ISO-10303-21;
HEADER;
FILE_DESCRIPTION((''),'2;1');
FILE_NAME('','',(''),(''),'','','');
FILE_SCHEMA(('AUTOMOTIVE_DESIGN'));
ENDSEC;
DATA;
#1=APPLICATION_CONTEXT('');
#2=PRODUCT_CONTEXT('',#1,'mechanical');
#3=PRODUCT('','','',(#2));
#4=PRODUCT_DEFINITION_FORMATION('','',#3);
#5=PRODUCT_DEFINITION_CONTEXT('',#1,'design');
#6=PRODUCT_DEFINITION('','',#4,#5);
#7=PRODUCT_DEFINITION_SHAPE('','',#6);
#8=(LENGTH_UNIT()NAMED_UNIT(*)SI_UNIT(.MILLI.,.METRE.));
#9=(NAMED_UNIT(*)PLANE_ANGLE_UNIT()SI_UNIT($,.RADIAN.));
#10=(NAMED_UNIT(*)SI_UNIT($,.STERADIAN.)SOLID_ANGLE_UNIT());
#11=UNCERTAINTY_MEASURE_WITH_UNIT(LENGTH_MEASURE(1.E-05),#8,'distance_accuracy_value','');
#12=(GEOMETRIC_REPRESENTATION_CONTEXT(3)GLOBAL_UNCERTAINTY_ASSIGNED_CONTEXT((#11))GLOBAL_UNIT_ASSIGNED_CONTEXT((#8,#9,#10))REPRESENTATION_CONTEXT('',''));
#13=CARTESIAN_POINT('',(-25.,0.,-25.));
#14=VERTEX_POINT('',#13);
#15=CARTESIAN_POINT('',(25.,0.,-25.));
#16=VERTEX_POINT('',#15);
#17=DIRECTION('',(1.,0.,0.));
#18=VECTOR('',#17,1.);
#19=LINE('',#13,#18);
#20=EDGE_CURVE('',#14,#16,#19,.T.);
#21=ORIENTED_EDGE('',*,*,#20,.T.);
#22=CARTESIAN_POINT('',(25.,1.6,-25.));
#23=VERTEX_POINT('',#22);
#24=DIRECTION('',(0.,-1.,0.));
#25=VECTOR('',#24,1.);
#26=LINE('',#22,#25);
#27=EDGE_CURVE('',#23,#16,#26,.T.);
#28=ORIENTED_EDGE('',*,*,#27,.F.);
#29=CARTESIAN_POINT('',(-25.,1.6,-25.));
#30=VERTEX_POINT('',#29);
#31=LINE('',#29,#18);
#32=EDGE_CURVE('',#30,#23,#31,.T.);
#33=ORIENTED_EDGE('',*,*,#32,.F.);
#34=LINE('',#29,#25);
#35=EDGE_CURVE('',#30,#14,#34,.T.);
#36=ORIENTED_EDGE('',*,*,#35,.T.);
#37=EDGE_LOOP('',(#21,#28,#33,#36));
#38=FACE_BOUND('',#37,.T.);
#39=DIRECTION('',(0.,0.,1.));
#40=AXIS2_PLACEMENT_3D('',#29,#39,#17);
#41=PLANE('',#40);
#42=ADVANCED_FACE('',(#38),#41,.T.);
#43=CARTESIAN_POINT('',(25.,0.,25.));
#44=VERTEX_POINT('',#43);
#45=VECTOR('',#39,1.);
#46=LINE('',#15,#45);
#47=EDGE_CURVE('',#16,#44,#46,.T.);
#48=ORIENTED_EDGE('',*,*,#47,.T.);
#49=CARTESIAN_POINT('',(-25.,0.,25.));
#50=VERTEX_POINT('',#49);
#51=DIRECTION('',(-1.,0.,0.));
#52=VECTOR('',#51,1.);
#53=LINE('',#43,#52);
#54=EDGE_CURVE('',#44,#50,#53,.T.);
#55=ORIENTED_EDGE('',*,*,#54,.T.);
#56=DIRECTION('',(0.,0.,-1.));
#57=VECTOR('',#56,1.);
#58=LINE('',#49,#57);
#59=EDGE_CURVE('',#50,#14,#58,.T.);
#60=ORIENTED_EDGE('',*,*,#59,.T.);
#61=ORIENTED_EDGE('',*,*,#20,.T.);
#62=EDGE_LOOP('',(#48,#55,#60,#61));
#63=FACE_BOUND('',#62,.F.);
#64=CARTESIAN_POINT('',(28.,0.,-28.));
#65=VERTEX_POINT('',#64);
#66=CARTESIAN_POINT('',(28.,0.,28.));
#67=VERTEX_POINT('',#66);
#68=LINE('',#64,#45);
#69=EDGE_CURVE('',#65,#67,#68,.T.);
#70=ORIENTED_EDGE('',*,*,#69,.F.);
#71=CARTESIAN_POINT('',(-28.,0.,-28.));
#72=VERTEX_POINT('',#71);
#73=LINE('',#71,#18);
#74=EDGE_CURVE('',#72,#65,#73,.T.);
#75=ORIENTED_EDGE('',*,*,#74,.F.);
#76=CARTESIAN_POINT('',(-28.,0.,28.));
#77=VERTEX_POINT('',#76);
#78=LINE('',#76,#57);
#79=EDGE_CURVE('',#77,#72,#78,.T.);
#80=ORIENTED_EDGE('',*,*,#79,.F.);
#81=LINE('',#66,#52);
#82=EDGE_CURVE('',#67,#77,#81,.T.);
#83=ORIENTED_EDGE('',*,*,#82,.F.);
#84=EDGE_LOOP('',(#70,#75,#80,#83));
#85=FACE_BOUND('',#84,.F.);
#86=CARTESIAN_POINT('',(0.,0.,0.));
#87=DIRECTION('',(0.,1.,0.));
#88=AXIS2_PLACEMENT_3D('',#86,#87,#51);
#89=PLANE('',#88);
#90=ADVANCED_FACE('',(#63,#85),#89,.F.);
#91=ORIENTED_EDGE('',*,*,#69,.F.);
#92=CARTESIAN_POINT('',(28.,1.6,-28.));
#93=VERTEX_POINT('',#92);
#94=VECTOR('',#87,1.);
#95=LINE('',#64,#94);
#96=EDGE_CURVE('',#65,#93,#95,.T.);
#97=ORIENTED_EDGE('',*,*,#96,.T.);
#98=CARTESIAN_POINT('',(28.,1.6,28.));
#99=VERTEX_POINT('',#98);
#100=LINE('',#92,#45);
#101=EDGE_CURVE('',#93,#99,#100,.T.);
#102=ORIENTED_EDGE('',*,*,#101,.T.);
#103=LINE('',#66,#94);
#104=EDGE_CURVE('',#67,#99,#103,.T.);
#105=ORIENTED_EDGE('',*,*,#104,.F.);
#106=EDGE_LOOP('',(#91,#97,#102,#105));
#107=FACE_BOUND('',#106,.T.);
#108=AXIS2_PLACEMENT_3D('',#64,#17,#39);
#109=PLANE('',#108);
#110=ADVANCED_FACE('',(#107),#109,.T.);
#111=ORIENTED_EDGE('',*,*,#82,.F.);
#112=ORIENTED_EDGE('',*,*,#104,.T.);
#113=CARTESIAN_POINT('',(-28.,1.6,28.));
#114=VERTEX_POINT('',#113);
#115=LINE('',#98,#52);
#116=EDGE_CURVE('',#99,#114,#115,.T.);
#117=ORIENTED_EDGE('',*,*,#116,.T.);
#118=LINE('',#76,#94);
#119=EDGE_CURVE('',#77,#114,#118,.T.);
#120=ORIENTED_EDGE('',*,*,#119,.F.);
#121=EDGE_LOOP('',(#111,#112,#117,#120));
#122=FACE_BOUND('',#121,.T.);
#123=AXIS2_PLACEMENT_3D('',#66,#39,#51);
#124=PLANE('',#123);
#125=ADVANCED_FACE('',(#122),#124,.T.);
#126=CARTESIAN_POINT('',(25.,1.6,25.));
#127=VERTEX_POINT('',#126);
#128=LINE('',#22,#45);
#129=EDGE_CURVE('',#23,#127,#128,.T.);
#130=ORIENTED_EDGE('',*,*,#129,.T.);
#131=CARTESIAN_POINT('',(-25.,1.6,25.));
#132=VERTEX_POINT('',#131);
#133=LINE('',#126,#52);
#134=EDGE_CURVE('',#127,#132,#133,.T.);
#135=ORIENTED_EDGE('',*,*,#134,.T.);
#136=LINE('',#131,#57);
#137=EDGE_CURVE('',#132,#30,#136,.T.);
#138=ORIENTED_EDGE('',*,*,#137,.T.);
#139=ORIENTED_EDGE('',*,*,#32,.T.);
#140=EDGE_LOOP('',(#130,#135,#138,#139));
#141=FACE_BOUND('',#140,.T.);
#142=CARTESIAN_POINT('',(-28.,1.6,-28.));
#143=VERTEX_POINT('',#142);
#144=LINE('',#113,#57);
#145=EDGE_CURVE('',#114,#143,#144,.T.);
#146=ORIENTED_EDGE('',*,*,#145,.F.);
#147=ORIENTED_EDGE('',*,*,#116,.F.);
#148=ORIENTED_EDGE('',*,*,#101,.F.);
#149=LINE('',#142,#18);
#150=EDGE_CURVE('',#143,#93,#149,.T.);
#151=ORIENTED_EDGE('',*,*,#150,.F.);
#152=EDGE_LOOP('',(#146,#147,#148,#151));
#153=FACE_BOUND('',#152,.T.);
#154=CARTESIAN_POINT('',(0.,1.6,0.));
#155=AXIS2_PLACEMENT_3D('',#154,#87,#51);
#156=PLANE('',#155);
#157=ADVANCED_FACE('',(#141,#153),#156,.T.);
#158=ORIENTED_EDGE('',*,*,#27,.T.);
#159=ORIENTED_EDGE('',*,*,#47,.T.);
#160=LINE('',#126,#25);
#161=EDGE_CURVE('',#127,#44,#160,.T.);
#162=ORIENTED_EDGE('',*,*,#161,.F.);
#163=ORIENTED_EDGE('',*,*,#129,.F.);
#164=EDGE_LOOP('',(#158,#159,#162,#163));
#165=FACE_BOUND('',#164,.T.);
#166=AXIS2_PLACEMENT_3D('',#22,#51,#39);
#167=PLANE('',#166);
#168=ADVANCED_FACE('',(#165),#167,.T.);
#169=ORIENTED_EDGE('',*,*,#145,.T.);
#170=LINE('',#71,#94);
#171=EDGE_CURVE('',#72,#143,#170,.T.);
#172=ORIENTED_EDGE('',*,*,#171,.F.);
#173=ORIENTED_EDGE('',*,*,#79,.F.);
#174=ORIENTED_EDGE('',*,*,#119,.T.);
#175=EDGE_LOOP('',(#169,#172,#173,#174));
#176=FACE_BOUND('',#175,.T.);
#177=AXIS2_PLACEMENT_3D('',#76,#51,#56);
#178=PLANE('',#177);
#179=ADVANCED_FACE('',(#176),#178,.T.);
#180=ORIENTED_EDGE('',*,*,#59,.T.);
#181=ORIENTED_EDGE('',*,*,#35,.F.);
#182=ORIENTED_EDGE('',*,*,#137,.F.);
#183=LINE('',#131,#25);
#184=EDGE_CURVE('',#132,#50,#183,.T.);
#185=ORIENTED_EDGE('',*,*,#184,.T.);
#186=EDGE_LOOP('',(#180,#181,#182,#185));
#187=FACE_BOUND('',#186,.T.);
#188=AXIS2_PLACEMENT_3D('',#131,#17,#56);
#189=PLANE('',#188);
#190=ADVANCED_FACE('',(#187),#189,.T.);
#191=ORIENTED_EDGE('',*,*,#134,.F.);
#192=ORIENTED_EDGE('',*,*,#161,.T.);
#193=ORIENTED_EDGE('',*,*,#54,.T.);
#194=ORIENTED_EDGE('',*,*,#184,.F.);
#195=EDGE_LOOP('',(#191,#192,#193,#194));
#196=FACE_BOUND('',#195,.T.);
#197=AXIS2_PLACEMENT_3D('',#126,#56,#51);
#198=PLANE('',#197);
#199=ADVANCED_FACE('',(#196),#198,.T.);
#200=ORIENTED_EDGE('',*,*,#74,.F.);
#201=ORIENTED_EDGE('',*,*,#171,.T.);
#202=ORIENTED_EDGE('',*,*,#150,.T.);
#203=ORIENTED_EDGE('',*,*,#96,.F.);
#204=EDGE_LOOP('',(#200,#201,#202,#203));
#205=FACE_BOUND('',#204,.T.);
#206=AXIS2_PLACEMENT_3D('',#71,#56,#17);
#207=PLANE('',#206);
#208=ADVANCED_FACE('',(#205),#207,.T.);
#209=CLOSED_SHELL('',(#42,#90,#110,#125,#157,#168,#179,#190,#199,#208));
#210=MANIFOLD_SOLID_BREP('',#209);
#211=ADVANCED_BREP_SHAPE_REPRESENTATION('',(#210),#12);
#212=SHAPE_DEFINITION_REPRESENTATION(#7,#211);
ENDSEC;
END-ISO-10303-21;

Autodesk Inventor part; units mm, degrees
ref_plane "YZ Plane" through (0, 0, 0) normal (1, 0, 0) x (0, 1, 0)
ref_plane "XZ Plane" through (0, 0, 0) normal (0, 1, 0) x (-1, 0, 0)
ref_plane "XY Plane" through (0, 0, 0) normal (0, 0, 1) x (1, 0, 0)
sketch "Sketch1" plane through (0, 0, 0) normal (0, 1, 0) x (-1, 0, 0)
  line L0 (-28, 28) -> (28, 28)
  line L1 (28, 28) -> (28, -28)
  line L2 (28, -28) -> (-28, -28)
  line L3 (-28, -28) -> (-28, 28)
  line L4 (-28, 28) -> (28, -28) construction
  line L5 (28, 28) -> (-28, -28) construction
  point P0 (0, 0)
  dimension "d0" = 56
  dimension "d1" = 56
extrude "Extrusion1" add sketch "Sketch1" along normal blind 1.6
sketch "Sketch2" plane through (0, 1.6, 0) normal (0, 1, 0) x (1, 0, 0)
  line L0 (25, -25) -> (-25, -25)
  line L1 (-25, -25) -> (-25, 25)
  line L2 (-25, 25) -> (25, 25)
  line L3 (25, 25) -> (25, -25)
  line L4 (25, -25) -> (-25, 25) construction
  line L5 (-25, -25) -> (25, 25) construction
  point P0 (0, 0)
  dimension "d4" = 50
  dimension "d5" = 50
extrude "Extrusion2" cut sketch "Sketch2" against normal blind 1.6
properties part number "Test Outer Plate"
